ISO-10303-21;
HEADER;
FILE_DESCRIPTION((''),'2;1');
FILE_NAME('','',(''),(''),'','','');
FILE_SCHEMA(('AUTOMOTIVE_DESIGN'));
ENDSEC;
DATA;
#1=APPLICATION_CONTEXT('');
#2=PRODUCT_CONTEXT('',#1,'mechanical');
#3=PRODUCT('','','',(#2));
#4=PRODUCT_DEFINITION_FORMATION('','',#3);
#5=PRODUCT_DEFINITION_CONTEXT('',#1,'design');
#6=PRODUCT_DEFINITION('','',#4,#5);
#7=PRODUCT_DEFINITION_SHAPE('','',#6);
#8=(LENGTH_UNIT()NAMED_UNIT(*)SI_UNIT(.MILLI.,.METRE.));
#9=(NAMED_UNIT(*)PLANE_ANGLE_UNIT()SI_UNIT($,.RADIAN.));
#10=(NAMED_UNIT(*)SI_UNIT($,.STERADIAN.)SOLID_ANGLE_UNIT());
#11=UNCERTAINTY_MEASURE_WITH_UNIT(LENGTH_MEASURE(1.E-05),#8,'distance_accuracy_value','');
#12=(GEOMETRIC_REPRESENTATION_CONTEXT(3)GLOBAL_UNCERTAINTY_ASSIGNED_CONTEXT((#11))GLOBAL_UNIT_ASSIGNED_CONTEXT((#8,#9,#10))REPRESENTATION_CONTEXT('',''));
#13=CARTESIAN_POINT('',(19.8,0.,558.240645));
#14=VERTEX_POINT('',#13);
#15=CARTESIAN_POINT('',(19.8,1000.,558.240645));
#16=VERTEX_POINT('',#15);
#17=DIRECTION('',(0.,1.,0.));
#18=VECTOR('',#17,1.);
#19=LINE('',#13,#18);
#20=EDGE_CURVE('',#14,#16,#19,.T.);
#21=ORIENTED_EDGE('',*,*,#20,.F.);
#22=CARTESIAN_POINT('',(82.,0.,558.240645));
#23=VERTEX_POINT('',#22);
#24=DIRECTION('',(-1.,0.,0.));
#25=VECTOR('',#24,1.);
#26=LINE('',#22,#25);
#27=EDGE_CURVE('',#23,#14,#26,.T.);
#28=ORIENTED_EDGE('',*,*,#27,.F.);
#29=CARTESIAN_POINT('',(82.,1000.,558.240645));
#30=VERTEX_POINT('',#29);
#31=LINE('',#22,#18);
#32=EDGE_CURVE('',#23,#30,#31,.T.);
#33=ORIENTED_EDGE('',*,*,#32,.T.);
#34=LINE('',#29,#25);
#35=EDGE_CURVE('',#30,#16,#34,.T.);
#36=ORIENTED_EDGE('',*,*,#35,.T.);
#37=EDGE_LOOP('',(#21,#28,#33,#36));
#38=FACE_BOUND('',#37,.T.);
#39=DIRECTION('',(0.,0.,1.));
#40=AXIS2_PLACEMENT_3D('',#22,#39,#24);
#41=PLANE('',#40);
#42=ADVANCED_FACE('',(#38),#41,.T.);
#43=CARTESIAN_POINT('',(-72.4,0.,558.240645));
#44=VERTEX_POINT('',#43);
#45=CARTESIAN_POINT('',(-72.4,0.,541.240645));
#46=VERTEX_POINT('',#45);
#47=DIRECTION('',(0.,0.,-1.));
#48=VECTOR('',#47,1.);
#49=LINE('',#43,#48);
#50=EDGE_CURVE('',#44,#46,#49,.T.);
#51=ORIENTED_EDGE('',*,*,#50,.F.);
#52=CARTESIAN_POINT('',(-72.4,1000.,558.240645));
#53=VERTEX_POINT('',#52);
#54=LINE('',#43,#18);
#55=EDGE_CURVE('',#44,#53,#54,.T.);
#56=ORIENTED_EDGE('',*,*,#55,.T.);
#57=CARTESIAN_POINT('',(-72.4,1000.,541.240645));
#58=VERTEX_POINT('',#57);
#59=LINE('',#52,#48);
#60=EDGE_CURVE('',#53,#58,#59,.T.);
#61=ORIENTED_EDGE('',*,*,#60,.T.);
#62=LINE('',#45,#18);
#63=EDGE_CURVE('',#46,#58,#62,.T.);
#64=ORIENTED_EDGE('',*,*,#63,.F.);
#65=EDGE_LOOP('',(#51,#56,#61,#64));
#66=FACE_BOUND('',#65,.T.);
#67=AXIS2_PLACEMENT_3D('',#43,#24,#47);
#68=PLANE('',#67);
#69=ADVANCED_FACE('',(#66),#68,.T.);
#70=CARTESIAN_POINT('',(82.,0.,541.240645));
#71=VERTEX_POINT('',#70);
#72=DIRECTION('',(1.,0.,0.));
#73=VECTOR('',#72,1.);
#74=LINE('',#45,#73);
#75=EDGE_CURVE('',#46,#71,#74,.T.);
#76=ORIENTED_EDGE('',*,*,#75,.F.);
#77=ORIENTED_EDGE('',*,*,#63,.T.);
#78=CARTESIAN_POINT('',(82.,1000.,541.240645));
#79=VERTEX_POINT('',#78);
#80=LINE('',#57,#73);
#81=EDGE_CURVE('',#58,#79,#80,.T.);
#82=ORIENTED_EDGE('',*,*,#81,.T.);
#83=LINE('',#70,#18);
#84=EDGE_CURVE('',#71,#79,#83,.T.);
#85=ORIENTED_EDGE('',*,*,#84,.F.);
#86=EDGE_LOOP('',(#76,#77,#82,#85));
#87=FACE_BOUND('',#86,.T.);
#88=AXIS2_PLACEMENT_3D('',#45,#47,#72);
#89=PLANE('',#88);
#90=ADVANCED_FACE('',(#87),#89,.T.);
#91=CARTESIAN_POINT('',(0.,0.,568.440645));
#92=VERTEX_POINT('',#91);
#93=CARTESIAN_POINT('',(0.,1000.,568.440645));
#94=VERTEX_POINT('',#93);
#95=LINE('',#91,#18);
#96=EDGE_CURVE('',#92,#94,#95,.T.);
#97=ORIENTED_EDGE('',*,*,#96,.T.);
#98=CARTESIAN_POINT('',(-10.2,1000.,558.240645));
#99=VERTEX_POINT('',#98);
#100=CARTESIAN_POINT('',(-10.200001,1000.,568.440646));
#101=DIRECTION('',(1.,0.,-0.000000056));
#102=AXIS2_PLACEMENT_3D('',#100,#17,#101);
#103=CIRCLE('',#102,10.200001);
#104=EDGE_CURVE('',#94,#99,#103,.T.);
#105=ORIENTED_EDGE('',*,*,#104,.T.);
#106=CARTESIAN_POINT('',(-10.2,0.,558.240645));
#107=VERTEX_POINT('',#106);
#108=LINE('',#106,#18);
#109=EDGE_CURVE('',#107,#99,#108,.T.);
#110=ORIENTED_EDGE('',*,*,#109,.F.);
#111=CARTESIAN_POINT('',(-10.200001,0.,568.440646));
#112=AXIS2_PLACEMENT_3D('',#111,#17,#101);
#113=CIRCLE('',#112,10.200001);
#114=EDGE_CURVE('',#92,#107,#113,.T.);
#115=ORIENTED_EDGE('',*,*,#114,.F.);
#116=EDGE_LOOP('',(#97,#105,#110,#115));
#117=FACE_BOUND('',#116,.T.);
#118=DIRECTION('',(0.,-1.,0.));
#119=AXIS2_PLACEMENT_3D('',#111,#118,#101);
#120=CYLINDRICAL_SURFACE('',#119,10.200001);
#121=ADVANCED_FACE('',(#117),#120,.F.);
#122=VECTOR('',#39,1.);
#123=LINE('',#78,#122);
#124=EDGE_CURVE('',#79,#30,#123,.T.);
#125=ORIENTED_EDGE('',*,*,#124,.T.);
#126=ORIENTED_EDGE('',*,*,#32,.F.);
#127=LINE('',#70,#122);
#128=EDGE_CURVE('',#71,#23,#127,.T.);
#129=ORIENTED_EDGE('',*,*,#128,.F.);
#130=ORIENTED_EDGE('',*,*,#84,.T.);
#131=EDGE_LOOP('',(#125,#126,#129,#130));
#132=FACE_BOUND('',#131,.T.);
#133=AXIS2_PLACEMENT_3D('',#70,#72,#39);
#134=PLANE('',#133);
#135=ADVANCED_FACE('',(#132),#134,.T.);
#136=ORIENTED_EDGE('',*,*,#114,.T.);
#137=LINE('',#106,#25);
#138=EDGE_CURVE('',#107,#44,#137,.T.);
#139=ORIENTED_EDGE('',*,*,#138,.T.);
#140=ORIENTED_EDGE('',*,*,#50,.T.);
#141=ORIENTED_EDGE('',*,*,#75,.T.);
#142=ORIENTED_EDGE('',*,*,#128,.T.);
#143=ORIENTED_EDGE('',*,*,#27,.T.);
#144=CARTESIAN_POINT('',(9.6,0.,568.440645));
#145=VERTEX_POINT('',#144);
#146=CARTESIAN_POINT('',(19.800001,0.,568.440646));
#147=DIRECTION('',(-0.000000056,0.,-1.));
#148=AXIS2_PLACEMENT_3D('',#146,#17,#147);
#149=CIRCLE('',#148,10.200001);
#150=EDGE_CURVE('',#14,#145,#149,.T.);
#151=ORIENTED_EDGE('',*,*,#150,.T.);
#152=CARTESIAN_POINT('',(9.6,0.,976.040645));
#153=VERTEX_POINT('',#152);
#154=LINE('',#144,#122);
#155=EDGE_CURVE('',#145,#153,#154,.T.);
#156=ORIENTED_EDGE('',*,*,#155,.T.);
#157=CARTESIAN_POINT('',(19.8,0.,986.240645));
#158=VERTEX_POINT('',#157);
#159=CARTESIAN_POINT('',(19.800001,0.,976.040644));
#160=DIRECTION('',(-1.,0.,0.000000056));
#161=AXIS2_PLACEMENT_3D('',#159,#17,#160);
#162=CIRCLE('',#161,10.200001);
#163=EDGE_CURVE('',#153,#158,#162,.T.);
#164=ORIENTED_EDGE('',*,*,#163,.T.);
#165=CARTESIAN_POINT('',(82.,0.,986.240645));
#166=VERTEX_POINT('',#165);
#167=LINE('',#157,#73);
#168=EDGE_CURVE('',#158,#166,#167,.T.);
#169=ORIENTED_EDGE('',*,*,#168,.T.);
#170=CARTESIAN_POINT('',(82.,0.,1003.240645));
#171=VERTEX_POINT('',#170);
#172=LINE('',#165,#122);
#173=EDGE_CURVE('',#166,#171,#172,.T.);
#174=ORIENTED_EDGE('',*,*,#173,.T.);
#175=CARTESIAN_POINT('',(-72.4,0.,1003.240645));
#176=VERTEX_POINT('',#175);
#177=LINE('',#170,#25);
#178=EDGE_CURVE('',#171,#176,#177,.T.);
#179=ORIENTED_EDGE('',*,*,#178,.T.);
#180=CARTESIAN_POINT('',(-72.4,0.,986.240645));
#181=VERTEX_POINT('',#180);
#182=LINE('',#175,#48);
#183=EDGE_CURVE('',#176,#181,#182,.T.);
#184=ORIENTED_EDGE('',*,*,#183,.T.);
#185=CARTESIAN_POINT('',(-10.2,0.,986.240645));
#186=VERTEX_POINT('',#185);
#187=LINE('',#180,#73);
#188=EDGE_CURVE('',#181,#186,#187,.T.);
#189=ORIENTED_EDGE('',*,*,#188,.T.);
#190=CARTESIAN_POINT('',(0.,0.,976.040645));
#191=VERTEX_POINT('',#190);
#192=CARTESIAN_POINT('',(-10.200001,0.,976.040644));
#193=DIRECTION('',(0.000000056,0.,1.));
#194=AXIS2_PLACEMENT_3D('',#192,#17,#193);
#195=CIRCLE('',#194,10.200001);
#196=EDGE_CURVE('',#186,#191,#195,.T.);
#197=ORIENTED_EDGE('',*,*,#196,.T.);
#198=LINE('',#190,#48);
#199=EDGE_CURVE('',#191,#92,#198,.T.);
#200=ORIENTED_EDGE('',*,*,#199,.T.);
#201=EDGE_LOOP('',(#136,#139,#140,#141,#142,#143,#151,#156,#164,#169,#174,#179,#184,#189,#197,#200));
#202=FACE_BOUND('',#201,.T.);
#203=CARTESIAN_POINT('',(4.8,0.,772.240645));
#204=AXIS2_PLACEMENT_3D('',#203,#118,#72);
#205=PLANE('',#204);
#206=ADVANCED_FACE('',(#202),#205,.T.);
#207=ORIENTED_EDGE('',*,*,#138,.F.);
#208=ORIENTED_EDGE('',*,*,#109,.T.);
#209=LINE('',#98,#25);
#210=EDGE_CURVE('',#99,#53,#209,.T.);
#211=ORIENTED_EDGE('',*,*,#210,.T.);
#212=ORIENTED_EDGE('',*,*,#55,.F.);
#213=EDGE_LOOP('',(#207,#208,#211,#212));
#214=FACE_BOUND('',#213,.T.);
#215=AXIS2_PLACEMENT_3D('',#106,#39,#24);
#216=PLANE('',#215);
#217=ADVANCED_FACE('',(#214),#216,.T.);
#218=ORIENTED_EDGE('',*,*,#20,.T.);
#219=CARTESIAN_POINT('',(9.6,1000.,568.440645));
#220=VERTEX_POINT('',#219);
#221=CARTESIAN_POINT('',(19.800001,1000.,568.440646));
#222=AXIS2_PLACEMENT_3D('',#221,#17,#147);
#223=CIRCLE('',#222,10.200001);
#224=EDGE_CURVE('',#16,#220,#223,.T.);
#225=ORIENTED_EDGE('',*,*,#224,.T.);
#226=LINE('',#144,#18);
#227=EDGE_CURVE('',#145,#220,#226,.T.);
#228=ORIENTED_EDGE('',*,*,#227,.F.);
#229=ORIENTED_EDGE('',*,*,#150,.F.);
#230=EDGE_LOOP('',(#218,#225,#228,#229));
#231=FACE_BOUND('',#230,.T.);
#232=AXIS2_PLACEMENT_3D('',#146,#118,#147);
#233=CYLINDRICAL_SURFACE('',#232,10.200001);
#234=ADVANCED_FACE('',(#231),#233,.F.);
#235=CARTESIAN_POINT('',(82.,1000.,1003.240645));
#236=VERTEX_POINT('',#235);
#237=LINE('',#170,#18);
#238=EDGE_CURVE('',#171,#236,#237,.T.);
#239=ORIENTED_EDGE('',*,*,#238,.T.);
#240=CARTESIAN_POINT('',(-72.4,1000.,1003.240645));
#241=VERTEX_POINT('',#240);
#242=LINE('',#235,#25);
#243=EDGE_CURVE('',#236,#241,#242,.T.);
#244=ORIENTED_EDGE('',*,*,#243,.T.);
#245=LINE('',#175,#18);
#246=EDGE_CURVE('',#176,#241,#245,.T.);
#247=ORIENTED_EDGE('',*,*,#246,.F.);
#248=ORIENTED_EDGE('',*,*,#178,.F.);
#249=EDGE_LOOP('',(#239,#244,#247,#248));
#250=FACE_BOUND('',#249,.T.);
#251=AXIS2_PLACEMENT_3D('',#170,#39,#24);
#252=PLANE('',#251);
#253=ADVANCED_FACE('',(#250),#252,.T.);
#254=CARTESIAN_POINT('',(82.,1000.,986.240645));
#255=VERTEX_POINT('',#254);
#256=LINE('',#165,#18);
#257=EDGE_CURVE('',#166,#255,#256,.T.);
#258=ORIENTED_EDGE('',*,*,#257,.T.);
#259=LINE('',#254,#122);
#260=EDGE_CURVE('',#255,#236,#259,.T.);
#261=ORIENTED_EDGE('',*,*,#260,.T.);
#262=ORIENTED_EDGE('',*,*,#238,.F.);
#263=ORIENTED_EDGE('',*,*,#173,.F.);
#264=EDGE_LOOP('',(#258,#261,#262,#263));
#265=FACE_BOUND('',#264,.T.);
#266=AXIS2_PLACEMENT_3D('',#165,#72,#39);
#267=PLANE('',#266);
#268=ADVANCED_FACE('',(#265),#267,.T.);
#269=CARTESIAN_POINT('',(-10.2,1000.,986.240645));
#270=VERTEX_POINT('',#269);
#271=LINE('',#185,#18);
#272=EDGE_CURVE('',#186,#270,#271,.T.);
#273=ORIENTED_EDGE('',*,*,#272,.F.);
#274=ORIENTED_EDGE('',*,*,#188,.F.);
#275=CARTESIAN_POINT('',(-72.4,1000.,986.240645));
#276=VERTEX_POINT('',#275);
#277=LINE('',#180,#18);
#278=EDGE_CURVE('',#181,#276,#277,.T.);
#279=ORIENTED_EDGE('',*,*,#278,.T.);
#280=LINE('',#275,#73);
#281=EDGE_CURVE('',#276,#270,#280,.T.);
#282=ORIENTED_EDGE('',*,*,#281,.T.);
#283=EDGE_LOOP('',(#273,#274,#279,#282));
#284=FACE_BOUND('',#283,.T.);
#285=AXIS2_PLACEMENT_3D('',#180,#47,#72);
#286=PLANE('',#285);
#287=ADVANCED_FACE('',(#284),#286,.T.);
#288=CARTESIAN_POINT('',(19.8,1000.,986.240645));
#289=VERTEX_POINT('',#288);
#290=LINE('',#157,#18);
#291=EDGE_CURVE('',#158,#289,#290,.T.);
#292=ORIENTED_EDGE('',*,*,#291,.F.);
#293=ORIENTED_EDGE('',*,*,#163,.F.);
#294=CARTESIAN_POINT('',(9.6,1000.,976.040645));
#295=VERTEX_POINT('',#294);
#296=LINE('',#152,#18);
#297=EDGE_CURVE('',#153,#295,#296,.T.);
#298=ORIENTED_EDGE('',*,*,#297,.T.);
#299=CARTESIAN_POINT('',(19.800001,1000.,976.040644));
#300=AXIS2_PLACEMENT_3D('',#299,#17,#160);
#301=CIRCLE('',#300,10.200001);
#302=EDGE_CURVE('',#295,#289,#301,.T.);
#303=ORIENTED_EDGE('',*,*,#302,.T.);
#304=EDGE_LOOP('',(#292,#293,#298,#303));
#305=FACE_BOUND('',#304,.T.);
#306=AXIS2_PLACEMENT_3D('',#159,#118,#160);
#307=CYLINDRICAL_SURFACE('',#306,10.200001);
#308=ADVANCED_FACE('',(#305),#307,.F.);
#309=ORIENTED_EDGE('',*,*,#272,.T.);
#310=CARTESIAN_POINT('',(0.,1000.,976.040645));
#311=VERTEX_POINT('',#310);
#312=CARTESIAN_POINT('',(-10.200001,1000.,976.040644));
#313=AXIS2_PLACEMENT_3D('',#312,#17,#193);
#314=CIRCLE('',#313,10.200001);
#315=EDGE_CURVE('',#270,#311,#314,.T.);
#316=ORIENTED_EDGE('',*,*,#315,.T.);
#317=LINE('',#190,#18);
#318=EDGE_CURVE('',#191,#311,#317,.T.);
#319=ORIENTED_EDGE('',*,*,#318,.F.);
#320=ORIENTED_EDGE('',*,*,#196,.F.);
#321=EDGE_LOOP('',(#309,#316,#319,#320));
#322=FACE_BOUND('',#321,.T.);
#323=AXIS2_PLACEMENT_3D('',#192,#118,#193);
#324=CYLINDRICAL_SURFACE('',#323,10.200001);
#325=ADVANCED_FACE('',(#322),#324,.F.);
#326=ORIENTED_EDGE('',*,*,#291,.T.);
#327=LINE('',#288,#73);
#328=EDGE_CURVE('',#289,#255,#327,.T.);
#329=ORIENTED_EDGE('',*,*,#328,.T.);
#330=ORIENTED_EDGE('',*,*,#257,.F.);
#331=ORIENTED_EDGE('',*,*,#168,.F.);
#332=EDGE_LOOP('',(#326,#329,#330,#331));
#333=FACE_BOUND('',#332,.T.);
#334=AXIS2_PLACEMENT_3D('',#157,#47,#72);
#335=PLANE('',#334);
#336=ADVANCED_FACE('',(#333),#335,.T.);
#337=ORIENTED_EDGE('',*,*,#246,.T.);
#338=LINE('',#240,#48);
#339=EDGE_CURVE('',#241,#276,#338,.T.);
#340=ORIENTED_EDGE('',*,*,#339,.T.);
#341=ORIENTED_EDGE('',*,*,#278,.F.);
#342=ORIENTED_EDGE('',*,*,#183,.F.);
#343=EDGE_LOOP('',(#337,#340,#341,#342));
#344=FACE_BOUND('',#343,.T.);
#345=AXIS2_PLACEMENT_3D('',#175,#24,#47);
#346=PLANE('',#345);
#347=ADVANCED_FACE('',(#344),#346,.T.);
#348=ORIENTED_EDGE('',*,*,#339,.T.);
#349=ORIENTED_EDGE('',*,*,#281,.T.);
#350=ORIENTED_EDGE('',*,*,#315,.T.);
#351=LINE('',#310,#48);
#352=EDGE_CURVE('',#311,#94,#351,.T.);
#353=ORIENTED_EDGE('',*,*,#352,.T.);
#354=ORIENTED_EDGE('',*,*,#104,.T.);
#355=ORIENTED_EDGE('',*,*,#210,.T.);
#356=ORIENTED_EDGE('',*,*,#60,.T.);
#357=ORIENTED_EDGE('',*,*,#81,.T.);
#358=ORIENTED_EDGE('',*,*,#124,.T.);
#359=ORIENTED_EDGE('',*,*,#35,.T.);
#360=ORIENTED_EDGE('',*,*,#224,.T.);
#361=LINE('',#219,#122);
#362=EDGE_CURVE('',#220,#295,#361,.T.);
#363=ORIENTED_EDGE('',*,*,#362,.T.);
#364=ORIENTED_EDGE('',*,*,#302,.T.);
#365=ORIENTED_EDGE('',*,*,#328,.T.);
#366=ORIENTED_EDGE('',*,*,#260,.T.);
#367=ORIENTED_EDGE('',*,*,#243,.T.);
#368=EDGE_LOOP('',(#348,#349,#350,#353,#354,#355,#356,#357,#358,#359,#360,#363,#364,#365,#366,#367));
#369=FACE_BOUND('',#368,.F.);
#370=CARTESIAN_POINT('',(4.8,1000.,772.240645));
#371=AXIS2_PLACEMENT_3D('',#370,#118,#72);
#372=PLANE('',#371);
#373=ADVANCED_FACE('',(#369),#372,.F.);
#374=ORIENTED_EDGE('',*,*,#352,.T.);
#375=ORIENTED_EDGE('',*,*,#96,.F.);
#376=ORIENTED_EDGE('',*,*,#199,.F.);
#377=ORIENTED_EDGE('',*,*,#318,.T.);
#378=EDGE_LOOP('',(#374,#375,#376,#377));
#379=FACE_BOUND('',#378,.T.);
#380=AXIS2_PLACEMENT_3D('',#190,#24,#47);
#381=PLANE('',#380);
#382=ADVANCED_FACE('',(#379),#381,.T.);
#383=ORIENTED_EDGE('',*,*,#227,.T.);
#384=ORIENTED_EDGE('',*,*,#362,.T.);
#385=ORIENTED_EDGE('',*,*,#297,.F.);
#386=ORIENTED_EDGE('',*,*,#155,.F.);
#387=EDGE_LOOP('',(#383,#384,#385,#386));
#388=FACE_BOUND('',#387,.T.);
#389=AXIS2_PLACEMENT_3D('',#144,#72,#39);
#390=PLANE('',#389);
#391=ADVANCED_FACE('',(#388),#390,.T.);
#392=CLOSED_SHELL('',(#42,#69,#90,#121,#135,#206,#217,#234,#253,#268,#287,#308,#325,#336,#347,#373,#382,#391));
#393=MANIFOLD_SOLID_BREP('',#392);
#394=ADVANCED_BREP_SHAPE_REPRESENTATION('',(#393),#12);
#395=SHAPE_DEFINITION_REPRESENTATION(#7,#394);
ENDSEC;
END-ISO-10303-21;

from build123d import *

# Parameters (mm, degrees)
F1_DEPTH = 1000


with BuildPart() as f1:
    # F0 (on Front) → F1 (new body)
    with BuildSketch(Plane.XZ):
        with BuildLine():
            Line((-72.4, 558.240645), (-72.4, 541.240645))
            Line((-72.4, 541.240645), (82, 541.240645))
            Line((82, 541.240645), (82, 558.240645))
            Line((82, 558.240645), (19.8, 558.240645))
            ThreePointArc((19.8, 558.240645), (12.587511, 561.228156), (9.6, 568.440645))
            Line((9.6, 568.440645), (9.6, 976.040645))
            ThreePointArc((9.6, 976.040645), (12.587511, 983.253134), (19.8, 986.240645))
            Line((19.8, 986.240645), (82, 986.240645))
            Line((82, 986.240645), (82, 1003.240645))
            Line((82, 1003.240645), (-72.4, 1003.240645))
            Line((-72.4, 1003.240645), (-72.4, 986.240645))
            Line((-72.4, 986.240645), (-10.2, 986.240645))
            ThreePointArc((-10.2, 986.240645), (-2.987511, 983.253134), (0, 976.040645))
            Line((0, 976.040645), (0, 568.440645))
            ThreePointArc((0, 568.440645), (-2.987511, 561.228156), (-10.2, 558.240645))
            Line((-10.2, 558.240645), (-72.4, 558.240645))
        make_face()
    extrude(amount=-F1_DEPTH)


solid = f1.part
